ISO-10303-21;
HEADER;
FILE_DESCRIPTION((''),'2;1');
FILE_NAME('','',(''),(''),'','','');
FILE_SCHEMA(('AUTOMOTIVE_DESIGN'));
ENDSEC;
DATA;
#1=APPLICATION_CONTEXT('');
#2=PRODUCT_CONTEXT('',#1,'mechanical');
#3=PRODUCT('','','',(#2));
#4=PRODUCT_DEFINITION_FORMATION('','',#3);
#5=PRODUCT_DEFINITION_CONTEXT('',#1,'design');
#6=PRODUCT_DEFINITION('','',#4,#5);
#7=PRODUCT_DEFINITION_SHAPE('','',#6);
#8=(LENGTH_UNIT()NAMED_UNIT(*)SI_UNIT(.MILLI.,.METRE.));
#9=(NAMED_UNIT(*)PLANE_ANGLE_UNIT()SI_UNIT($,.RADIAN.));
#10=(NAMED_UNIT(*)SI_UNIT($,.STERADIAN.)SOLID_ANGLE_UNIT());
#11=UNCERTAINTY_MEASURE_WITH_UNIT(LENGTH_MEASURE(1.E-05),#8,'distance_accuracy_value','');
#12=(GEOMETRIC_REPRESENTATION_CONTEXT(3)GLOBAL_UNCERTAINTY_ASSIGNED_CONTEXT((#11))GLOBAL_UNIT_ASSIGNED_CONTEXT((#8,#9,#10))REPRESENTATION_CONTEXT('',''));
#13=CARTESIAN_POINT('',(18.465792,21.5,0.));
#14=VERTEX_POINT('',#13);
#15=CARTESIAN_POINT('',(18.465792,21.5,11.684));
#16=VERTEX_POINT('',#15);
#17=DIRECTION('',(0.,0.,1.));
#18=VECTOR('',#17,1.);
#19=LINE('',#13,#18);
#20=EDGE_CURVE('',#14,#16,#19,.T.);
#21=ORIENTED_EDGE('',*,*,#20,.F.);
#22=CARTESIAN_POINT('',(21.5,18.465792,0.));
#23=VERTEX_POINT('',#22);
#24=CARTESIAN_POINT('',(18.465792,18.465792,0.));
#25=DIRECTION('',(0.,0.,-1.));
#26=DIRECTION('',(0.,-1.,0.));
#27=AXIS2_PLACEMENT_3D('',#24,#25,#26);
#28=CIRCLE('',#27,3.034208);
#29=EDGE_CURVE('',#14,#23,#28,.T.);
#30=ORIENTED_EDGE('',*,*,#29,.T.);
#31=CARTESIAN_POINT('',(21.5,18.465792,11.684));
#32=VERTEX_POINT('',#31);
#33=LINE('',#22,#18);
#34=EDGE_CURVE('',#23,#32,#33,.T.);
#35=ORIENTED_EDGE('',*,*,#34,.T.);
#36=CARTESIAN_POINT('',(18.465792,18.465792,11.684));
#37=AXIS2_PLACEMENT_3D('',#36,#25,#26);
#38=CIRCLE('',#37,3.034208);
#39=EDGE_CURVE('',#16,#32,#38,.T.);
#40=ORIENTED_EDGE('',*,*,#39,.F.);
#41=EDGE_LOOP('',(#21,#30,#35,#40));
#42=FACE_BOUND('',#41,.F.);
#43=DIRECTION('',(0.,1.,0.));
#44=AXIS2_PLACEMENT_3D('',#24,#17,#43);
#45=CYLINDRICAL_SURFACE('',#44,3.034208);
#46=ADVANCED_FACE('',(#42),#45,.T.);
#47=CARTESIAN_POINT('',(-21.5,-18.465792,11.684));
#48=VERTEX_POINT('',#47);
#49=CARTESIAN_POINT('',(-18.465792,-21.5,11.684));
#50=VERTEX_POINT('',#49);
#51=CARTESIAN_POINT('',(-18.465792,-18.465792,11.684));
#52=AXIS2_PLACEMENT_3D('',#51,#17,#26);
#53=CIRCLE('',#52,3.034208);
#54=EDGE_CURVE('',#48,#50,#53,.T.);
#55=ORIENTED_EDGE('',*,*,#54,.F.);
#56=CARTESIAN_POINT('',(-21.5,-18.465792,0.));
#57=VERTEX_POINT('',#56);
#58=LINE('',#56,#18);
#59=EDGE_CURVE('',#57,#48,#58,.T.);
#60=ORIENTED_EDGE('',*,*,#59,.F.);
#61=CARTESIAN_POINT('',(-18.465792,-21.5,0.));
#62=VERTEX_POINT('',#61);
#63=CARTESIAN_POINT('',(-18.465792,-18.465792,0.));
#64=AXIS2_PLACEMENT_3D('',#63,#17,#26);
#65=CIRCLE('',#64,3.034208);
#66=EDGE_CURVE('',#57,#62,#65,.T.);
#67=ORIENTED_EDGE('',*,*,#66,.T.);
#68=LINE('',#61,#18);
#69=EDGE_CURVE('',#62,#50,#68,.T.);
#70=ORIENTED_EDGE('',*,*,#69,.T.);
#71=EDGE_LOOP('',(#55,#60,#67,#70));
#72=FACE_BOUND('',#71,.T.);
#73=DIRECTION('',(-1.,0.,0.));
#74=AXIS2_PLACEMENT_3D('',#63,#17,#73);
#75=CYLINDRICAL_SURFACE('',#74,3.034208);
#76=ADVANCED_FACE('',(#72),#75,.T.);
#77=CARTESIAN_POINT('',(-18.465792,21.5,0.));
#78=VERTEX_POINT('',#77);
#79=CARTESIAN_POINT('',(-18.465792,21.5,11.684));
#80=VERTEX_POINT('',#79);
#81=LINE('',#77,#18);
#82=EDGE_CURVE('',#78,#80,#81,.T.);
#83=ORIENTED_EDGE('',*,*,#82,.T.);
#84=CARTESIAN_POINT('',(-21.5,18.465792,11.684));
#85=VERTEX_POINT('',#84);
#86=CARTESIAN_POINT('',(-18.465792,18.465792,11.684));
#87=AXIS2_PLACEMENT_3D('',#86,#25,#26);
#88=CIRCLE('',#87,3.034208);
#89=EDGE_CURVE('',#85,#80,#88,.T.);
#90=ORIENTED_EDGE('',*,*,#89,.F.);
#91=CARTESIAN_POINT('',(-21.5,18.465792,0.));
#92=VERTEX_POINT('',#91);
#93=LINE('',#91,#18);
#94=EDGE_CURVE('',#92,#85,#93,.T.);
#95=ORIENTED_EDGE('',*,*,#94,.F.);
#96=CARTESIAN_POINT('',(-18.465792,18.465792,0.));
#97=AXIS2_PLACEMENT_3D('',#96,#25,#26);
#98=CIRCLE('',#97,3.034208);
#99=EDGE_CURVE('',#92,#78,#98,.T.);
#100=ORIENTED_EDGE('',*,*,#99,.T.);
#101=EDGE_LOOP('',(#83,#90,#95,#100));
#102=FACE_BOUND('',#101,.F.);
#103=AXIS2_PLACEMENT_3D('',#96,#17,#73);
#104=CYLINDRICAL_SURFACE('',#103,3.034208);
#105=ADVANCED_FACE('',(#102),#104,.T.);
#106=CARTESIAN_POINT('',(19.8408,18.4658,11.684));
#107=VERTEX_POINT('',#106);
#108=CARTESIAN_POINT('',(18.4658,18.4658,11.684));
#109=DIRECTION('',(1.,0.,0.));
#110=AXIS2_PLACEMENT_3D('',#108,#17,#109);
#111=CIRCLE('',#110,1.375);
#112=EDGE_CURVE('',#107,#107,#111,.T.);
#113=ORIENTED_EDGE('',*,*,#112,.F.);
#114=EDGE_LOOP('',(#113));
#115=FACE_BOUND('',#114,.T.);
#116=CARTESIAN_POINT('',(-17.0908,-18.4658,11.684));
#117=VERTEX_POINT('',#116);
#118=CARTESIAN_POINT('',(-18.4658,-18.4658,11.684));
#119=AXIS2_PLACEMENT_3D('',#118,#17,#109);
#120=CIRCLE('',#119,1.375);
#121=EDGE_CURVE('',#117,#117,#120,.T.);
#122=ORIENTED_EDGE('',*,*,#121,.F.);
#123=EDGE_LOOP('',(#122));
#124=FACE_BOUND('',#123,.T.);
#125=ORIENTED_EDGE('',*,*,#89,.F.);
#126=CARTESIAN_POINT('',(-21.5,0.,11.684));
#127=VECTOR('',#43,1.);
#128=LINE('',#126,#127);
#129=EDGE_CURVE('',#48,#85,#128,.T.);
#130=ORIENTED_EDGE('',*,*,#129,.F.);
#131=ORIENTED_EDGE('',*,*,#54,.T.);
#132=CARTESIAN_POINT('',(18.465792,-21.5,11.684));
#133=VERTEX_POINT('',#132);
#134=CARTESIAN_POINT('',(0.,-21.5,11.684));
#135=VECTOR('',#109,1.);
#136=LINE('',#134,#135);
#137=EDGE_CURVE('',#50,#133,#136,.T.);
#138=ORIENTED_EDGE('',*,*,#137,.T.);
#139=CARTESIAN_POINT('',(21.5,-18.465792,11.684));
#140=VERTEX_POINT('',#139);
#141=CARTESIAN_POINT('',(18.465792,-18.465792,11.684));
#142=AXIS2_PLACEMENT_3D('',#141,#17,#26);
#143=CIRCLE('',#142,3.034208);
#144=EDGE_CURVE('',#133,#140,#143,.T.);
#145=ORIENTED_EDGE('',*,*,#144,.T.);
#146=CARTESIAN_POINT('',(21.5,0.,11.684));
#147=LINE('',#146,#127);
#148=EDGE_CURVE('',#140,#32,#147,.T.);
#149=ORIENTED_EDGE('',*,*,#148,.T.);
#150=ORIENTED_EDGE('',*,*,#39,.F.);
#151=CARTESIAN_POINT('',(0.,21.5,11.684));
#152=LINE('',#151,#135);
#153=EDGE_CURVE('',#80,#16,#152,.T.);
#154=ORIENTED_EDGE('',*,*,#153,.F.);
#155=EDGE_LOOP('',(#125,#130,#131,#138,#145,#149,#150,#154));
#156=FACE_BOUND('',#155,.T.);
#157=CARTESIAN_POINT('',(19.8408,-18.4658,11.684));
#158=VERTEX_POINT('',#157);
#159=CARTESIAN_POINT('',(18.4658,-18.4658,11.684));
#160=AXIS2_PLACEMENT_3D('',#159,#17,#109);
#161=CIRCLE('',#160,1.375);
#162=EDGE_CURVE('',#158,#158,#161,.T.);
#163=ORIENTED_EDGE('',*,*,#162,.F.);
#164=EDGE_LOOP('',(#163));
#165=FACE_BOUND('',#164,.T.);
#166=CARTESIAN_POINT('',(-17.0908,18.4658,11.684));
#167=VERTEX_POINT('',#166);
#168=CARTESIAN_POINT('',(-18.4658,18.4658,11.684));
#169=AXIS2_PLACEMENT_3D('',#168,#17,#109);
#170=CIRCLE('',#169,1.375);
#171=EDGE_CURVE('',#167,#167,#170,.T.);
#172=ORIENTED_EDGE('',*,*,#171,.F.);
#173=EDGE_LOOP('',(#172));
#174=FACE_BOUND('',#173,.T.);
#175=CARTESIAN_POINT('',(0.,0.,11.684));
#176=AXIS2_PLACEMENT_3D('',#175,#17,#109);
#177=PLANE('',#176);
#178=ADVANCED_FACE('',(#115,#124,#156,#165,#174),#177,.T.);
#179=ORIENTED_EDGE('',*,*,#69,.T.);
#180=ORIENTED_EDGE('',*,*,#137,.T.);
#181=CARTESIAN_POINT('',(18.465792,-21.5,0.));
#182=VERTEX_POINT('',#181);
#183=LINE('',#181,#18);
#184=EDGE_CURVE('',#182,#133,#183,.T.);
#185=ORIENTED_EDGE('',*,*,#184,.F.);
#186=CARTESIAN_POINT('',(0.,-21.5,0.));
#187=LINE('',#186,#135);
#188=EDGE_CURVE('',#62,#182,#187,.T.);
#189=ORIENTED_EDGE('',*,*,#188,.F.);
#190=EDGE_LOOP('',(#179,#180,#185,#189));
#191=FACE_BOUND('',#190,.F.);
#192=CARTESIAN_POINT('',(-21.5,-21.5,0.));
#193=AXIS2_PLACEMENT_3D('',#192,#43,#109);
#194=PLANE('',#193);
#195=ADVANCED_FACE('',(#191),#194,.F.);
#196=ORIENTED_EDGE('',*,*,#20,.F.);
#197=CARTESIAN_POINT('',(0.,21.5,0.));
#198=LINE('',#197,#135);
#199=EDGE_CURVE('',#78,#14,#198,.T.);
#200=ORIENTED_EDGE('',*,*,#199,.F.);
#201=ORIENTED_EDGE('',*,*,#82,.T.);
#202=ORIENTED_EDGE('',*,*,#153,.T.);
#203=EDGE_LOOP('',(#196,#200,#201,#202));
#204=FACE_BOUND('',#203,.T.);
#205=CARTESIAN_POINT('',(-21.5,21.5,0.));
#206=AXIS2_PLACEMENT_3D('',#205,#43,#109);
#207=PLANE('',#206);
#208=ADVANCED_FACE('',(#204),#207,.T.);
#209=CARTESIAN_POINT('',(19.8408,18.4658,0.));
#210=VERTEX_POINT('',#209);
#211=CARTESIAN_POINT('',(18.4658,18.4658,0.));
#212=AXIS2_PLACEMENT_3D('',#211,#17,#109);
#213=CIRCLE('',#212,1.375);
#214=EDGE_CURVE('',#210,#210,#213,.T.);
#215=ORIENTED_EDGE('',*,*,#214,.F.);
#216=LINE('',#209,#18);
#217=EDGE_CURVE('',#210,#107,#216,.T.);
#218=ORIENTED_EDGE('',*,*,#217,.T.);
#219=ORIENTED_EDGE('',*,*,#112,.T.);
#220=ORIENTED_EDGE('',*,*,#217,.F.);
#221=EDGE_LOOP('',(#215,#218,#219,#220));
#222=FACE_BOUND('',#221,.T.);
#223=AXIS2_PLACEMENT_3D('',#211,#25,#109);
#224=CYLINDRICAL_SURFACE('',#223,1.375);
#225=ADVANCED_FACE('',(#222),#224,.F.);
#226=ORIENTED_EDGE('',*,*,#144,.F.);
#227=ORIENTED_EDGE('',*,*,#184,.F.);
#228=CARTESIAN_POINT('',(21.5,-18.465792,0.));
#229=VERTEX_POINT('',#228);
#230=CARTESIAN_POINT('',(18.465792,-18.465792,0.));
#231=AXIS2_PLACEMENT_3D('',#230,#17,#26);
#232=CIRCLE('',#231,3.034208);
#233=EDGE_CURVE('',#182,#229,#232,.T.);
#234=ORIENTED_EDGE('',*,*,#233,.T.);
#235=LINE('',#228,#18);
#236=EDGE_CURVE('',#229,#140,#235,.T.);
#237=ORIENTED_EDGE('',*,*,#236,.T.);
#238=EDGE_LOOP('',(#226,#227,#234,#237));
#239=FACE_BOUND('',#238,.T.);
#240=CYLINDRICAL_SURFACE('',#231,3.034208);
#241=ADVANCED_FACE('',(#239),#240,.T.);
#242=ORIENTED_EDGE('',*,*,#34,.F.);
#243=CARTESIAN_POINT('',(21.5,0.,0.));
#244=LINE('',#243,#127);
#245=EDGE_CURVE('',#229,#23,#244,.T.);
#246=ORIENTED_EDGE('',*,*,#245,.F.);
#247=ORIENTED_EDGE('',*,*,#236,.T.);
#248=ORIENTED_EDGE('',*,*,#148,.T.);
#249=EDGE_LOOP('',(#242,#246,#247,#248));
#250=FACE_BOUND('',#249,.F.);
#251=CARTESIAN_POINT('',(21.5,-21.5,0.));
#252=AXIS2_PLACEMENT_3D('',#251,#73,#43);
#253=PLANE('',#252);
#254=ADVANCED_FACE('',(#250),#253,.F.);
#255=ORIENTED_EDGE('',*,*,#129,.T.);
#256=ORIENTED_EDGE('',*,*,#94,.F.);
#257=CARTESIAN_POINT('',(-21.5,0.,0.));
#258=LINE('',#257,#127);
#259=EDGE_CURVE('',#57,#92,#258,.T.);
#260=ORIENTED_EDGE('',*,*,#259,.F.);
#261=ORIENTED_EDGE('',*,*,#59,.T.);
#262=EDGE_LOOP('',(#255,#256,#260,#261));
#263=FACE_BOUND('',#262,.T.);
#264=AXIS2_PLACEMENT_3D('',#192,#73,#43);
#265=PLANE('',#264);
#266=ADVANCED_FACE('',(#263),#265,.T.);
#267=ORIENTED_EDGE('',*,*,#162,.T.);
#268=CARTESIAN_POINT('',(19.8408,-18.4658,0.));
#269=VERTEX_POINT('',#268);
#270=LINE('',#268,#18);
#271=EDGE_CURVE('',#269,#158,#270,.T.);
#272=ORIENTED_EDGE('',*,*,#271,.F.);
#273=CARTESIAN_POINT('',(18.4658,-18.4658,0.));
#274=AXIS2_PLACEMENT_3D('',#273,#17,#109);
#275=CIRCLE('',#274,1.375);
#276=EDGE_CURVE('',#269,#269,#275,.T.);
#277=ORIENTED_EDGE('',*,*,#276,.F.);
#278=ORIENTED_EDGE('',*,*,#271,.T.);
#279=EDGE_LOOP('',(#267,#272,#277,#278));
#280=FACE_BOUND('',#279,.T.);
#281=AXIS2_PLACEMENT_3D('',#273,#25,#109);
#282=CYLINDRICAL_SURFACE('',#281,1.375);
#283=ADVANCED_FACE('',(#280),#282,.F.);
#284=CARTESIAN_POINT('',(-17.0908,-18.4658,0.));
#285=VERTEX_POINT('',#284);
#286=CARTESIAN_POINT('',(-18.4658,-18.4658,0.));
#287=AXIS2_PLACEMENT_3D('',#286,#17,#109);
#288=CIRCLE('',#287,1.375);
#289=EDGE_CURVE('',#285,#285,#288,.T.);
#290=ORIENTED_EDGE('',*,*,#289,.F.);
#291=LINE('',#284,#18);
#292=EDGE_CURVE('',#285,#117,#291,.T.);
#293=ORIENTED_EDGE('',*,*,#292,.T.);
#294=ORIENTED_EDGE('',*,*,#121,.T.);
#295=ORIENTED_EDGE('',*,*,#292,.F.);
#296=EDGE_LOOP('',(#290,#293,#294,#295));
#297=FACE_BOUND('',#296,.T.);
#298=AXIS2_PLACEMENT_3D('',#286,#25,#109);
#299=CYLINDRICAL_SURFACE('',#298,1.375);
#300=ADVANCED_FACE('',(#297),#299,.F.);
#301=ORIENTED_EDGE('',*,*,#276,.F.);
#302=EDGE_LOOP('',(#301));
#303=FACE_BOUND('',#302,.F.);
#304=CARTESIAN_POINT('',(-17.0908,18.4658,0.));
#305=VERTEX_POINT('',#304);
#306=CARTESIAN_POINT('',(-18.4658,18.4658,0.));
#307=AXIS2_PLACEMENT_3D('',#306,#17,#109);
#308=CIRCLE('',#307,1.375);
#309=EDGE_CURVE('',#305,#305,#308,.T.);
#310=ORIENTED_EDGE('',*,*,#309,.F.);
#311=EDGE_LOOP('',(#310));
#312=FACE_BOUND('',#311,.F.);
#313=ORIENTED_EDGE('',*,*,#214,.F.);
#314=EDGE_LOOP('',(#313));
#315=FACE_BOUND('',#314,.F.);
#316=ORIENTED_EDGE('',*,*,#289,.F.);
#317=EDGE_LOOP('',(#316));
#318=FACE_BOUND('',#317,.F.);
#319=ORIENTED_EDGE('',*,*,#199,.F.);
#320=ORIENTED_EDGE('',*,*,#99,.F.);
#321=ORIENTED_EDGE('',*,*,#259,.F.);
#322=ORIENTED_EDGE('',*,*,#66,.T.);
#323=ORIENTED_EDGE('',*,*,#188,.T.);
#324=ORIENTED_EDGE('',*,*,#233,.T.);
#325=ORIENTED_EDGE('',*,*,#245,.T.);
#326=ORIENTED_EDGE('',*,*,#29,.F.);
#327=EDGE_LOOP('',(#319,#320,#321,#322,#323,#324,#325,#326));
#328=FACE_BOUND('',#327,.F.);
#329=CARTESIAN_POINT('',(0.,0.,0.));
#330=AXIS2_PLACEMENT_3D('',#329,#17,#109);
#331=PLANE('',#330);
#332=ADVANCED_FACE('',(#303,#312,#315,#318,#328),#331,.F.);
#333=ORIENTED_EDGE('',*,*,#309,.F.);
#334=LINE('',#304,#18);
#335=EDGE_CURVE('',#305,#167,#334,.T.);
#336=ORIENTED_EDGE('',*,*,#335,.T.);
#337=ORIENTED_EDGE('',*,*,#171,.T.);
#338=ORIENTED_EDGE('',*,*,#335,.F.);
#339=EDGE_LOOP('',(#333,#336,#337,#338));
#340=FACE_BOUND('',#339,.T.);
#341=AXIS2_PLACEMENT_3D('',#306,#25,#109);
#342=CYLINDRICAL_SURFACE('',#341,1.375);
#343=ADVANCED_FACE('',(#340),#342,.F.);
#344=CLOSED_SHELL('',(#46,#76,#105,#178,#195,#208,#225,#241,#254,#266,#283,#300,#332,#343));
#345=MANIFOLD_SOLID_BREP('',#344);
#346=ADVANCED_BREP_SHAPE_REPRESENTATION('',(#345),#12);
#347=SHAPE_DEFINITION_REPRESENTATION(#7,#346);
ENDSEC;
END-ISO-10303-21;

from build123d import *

# Parameters (mm, degrees)
F0_W     = 43
F0_H     = 43
F0_R     = 1.375
F1_DEPTH = 11.684
F2_R     = 3.034208


with BuildPart() as f1:
    # F0 (on Top) → F1 (new body)
    with BuildSketch(Plane.XY):
        Rectangle(F0_W, F0_H)
        with Locations((-18.4658, -18.4658)):
            Circle(F0_R, mode=Mode.SUBTRACT)
        with Locations((18.4658, -18.4658)):
            Circle(F0_R, mode=Mode.SUBTRACT)
        with Locations((-18.4658, 18.4658)):
            Circle(F0_R, mode=Mode.SUBTRACT)
        with Locations((18.4658, 18.4658)):
            Circle(F0_R, mode=Mode.SUBTRACT)
    extrude(amount=F1_DEPTH)

    # F2
    f2_edges = [f1.edges().sort_by_distance(p)[0] for p in [
        (-21.5, -21.5, 5.842),
        (21.5, -21.5, 5.842),
        (21.5, 21.5, 5.842),
        (-21.5, 21.5, 5.842),
    ]]
    fillet(f2_edges, radius=F2_R)


solid = f1.part
